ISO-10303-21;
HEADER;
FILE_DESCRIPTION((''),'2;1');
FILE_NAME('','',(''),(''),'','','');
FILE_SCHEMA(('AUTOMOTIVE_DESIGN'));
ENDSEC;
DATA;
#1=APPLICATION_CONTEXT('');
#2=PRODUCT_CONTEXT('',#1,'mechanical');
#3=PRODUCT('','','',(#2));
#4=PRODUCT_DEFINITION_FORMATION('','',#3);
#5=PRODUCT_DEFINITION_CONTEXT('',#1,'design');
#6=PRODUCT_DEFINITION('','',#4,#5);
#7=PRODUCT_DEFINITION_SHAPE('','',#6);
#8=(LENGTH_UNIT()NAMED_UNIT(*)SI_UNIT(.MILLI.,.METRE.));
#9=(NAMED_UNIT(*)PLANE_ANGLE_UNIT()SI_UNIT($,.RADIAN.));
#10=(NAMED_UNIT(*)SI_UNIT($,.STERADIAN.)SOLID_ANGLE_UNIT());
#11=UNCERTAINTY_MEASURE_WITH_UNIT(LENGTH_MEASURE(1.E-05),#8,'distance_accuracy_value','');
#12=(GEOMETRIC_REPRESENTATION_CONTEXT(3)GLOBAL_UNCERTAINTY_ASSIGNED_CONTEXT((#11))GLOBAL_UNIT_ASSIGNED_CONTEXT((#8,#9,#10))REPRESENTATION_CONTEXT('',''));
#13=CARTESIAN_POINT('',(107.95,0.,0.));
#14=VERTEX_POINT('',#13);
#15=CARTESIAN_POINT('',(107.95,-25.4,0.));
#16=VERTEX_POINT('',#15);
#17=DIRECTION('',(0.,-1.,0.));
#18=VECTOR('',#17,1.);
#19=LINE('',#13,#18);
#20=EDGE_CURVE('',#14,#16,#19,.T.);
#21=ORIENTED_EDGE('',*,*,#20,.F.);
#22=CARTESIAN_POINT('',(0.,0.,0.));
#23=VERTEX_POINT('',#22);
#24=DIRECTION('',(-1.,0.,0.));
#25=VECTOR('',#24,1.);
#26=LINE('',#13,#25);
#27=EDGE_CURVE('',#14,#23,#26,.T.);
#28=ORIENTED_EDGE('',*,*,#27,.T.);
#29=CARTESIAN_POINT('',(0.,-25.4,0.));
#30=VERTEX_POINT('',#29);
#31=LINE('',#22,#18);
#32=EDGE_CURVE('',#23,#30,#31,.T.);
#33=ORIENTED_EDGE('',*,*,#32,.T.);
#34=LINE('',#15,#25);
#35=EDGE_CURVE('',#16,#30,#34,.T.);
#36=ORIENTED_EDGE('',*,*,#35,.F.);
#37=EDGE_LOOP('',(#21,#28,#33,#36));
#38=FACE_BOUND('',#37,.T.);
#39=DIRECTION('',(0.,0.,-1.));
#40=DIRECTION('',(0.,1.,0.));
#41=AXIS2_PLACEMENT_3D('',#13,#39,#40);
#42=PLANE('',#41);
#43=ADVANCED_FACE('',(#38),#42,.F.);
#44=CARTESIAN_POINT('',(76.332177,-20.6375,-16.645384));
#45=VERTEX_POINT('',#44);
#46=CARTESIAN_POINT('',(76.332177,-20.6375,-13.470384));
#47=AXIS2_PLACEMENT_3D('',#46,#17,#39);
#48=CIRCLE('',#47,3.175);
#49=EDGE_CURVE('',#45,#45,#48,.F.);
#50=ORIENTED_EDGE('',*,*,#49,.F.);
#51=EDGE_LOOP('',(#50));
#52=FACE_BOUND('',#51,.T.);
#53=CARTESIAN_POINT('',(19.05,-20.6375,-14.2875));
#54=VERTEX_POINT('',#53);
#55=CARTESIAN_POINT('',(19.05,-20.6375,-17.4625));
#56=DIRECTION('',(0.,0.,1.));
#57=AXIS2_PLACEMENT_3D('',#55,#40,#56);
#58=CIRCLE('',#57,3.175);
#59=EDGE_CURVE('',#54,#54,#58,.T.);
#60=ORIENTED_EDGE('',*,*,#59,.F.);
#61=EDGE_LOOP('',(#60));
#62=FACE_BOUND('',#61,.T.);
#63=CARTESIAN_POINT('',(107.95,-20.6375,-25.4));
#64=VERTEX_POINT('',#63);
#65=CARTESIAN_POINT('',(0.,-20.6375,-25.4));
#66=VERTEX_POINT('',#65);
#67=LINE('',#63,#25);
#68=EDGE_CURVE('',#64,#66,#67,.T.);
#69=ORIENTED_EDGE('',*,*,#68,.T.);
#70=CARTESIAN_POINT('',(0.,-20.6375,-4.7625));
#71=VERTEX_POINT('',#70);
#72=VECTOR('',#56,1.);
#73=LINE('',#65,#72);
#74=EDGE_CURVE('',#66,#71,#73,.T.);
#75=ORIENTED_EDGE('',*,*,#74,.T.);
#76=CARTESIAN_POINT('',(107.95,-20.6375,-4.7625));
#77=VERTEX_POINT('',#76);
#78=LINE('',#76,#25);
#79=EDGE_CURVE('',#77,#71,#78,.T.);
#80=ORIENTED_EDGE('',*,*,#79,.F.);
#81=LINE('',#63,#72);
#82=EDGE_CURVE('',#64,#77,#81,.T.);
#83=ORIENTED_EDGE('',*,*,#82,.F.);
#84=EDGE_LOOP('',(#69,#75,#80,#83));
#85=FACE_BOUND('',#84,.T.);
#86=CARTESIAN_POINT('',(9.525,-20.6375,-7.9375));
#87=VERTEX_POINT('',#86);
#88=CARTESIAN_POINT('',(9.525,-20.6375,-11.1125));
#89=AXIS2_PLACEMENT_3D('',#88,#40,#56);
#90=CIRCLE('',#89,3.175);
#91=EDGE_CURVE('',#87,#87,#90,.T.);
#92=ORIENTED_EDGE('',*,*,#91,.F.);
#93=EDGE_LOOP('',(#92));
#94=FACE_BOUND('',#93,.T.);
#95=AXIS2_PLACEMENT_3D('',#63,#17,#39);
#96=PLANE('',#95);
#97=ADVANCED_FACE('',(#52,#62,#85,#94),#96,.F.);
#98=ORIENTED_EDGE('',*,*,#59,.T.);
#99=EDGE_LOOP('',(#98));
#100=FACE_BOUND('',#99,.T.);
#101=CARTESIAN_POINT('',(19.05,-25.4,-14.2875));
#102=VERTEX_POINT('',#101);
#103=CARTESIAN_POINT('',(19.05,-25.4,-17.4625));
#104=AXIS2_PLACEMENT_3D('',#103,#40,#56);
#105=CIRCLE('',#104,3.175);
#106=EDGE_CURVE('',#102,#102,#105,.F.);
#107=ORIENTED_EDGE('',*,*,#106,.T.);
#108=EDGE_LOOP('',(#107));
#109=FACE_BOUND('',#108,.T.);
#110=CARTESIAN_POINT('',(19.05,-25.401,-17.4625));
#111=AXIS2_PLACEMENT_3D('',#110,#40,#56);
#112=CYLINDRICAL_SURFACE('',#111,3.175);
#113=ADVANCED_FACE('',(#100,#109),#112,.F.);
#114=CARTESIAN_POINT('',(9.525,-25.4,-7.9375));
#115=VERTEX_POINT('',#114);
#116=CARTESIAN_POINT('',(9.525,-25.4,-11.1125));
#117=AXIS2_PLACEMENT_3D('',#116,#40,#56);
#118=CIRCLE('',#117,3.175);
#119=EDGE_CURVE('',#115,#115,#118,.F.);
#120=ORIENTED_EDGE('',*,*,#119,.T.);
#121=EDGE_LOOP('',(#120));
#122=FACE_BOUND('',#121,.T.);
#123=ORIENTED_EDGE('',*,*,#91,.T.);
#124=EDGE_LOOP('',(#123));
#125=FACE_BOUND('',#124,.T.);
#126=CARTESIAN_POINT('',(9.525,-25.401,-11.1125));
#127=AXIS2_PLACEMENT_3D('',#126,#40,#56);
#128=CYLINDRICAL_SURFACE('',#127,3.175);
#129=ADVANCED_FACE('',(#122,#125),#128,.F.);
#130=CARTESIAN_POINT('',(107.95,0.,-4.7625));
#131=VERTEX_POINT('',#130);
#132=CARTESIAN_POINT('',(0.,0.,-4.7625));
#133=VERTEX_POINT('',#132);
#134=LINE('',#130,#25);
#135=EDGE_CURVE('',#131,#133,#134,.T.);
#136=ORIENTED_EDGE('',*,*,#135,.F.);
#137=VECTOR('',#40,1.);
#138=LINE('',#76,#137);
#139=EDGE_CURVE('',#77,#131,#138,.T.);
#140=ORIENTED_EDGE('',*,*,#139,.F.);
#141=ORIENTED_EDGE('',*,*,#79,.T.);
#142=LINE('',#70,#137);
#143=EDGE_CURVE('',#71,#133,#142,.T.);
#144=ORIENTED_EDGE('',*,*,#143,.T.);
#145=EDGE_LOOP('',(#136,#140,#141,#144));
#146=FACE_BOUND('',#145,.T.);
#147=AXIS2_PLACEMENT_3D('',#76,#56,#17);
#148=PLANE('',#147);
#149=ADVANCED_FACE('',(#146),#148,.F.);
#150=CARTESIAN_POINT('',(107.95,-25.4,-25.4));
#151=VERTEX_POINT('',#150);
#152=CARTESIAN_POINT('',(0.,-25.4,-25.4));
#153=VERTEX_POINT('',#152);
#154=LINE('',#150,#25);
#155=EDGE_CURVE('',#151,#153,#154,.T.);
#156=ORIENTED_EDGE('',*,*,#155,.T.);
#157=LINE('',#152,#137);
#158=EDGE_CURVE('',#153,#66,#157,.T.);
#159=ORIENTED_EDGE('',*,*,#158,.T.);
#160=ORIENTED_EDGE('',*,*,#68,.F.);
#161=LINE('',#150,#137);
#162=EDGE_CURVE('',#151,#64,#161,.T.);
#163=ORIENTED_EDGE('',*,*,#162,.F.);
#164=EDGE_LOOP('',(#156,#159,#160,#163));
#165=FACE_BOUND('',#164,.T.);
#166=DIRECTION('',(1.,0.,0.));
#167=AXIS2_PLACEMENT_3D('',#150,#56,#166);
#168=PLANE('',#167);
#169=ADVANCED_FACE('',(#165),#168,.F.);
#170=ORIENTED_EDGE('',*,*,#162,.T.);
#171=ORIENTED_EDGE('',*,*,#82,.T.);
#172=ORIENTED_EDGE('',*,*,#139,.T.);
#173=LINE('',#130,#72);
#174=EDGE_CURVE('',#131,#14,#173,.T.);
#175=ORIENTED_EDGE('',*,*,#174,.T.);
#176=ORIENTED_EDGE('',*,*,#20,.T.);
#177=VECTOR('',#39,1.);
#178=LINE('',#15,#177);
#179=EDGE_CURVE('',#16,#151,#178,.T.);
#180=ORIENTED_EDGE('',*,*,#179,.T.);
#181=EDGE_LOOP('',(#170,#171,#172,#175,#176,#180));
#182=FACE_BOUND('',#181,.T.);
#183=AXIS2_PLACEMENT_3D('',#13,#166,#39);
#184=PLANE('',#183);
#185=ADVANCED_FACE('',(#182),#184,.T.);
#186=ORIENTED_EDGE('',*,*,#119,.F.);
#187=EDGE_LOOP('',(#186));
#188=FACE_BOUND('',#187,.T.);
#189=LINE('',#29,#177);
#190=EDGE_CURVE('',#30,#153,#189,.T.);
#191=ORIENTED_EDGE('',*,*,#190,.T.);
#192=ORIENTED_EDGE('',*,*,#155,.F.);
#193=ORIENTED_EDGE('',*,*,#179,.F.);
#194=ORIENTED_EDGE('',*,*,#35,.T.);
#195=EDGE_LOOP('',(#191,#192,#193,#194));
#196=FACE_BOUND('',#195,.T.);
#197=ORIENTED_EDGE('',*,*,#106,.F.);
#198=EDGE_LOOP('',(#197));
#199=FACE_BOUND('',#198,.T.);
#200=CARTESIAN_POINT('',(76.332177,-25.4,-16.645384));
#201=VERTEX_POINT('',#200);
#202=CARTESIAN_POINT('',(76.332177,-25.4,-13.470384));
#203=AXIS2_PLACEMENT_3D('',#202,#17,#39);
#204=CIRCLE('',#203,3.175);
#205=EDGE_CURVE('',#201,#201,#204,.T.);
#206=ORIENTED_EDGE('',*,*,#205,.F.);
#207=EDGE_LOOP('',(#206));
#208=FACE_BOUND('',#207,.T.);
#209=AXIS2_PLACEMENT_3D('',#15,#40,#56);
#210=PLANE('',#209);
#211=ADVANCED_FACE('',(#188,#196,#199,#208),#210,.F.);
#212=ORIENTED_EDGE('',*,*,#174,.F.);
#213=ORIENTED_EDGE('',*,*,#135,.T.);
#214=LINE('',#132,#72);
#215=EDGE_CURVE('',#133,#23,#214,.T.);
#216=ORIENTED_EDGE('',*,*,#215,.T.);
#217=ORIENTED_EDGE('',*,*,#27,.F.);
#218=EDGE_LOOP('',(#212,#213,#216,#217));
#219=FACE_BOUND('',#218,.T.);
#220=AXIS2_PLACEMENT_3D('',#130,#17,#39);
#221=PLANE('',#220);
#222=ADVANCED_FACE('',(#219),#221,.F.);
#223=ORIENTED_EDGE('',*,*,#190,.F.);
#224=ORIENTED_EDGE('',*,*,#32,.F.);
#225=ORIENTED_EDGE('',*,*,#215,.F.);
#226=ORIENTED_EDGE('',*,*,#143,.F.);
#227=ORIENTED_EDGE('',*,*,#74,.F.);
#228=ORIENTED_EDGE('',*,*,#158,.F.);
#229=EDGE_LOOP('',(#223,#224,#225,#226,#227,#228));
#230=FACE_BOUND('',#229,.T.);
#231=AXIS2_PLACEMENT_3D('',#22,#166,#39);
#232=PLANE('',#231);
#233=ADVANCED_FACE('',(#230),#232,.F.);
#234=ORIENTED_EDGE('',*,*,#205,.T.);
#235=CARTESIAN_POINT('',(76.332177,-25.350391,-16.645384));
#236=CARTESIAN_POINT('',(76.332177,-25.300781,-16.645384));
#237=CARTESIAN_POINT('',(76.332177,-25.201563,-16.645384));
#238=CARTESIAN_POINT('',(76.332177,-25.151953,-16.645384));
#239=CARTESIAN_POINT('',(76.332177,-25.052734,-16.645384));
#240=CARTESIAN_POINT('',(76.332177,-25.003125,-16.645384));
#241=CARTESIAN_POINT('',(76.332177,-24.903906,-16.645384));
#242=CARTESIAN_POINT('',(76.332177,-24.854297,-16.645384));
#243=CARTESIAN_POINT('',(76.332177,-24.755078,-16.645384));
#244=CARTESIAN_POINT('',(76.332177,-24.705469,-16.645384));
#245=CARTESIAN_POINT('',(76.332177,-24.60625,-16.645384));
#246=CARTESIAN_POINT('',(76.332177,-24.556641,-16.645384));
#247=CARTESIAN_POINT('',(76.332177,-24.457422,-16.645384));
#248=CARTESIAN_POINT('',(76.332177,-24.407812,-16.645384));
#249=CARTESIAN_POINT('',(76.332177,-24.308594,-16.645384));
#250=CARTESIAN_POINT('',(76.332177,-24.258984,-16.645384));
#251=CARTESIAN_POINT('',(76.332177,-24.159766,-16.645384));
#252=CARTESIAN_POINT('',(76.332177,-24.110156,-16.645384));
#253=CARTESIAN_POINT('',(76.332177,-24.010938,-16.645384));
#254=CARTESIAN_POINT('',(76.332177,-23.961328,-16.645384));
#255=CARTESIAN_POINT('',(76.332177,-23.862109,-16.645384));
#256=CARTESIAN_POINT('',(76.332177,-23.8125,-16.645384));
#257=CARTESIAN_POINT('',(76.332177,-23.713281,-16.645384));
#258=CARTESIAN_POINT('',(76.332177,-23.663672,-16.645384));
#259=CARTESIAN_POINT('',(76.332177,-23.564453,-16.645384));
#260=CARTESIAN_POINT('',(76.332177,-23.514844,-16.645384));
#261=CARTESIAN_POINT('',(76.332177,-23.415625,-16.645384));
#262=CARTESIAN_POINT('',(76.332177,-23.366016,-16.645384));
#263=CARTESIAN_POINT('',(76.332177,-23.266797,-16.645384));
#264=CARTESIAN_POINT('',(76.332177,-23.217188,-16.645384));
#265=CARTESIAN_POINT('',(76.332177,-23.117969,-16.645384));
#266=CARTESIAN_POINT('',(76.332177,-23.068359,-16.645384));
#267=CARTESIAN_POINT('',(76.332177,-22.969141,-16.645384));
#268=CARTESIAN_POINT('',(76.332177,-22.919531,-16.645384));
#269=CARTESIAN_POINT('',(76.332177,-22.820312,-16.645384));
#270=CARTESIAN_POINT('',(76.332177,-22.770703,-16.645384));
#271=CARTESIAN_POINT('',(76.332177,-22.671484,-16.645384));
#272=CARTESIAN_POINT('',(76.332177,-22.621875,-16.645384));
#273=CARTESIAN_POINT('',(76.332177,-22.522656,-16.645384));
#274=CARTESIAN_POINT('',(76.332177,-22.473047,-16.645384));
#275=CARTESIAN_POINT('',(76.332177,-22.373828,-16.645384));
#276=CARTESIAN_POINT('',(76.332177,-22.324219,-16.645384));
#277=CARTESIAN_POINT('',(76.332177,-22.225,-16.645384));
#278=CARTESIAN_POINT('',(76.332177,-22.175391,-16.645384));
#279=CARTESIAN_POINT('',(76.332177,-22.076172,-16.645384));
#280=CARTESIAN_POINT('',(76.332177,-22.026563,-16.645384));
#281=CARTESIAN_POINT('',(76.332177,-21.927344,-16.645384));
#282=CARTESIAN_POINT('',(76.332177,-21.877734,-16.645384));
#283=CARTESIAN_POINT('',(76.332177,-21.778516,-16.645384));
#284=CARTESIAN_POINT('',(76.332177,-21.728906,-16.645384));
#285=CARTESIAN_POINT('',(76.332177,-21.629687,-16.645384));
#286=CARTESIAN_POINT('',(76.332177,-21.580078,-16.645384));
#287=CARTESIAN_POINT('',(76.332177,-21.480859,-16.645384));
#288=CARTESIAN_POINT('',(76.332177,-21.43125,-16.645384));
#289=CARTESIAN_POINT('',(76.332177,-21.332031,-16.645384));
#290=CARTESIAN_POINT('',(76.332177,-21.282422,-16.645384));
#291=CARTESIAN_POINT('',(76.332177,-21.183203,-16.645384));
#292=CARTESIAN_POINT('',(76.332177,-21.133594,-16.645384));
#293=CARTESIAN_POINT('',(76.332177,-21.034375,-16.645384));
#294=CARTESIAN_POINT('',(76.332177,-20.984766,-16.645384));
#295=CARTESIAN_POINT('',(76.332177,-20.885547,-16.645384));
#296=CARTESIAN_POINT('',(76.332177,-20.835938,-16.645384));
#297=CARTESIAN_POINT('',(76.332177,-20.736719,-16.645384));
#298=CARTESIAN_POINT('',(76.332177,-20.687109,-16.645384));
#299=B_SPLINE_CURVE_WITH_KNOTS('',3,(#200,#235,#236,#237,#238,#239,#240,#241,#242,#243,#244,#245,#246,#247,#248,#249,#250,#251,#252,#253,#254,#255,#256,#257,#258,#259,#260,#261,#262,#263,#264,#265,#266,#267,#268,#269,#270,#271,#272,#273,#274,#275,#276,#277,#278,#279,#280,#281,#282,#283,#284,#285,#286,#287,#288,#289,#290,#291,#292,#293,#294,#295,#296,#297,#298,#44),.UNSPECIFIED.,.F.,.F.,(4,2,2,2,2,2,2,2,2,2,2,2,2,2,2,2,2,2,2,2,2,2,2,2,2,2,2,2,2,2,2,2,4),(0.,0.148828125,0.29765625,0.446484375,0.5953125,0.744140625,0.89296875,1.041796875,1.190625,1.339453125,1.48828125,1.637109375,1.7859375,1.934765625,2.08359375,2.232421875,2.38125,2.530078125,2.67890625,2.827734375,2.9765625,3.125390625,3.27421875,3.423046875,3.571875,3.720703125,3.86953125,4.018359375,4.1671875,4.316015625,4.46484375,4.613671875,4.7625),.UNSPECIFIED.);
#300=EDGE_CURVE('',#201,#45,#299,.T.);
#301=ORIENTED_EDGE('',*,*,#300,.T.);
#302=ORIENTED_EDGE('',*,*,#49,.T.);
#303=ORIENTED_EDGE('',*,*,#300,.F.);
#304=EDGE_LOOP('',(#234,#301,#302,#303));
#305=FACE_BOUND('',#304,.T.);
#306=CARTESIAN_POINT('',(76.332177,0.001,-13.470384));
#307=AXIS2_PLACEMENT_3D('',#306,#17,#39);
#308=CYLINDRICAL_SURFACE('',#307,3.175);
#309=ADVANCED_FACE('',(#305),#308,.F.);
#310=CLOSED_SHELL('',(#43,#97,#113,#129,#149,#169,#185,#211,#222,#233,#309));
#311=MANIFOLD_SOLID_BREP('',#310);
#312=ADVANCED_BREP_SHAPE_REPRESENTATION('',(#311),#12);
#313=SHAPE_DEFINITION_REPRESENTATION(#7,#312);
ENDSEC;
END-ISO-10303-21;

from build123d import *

# Parameters (mm, degrees)
BOSS_EXTRUDE1_DEPTH = 107.95
CUT_EXTRUDE1_REACH  = 114.802
SKETCH2_R           = 3.175
CUT_EXTRUDE2_REACH  = 115.77
SKETCH3_R           = 3.175


with BuildPart() as part:
    # Sketch1 → Boss-Extrude1 (new body)
    with BuildSketch(Plane(origin=(0, 0, 0), x_dir=(0, 0, -1), z_dir=(1, 0, 0))):
        Polygon((0, 0), (0, -25.4), (25.4, -25.4), (25.4, -20.6375), (4.7625, -20.6375), (4.7625, 0), align=None)
    extrude(amount=BOSS_EXTRUDE1_DEPTH)

    # Sketch2 → Cut-Extrude1 (cut, up to next)
    with BuildSketch(Plane(origin=(0, -20.6375, 0), x_dir=(1, 0, 0), z_dir=(0, 1, 0)), mode=Mode.PRIVATE) as cut_extrude1_sk1:
        with Locations(Location((9.525, 11.1125, 0), (0, 0, 270))):
            Circle(SKETCH2_R)
    cut_extrude1_tool1 = extrude(cut_extrude1_sk1.sketch, amount=-CUT_EXTRUDE1_REACH, mode=Mode.PRIVATE) & part.part
    # Sketch2 → Cut-Extrude1 (cut, up to next)
    with BuildSketch(Plane(origin=(0, -20.6375, 0), x_dir=(1, 0, 0), z_dir=(0, 1, 0)), mode=Mode.PRIVATE) as cut_extrude1_sk2:
        with Locations(Location((19.05, 17.4625, 0), (0, 0, 270))):
            Circle(SKETCH2_R)
    cut_extrude1_tool2 = extrude(cut_extrude1_sk2.sketch, amount=-CUT_EXTRUDE1_REACH, mode=Mode.PRIVATE) & part.part
    add(cut_extrude1_tool1.solids().sort_by_distance((9.525, -20.6375, -11.1125))[0], mode=Mode.SUBTRACT)
    add(cut_extrude1_tool2.solids().sort_by_distance((19.05, -20.6375, -17.4625))[0], mode=Mode.SUBTRACT)

    # Sketch3 → Cut-Extrude2 (cut, up to next)
    with BuildSketch(Plane.XZ.offset(25.4), mode=Mode.PRIVATE) as cut_extrude2_sk1:
        with Locations(Location((76.332177029, -13.470384182, 0), (0, 0, 270))):
            Circle(SKETCH3_R)
    cut_extrude2_tool1 = extrude(cut_extrude2_sk1.sketch, amount=-CUT_EXTRUDE2_REACH, mode=Mode.PRIVATE) & part.part
    add(cut_extrude2_tool1.solids().sort_by_distance((76.332177, -25.4, -13.470384))[0], mode=Mode.SUBTRACT)


solid = part.part
